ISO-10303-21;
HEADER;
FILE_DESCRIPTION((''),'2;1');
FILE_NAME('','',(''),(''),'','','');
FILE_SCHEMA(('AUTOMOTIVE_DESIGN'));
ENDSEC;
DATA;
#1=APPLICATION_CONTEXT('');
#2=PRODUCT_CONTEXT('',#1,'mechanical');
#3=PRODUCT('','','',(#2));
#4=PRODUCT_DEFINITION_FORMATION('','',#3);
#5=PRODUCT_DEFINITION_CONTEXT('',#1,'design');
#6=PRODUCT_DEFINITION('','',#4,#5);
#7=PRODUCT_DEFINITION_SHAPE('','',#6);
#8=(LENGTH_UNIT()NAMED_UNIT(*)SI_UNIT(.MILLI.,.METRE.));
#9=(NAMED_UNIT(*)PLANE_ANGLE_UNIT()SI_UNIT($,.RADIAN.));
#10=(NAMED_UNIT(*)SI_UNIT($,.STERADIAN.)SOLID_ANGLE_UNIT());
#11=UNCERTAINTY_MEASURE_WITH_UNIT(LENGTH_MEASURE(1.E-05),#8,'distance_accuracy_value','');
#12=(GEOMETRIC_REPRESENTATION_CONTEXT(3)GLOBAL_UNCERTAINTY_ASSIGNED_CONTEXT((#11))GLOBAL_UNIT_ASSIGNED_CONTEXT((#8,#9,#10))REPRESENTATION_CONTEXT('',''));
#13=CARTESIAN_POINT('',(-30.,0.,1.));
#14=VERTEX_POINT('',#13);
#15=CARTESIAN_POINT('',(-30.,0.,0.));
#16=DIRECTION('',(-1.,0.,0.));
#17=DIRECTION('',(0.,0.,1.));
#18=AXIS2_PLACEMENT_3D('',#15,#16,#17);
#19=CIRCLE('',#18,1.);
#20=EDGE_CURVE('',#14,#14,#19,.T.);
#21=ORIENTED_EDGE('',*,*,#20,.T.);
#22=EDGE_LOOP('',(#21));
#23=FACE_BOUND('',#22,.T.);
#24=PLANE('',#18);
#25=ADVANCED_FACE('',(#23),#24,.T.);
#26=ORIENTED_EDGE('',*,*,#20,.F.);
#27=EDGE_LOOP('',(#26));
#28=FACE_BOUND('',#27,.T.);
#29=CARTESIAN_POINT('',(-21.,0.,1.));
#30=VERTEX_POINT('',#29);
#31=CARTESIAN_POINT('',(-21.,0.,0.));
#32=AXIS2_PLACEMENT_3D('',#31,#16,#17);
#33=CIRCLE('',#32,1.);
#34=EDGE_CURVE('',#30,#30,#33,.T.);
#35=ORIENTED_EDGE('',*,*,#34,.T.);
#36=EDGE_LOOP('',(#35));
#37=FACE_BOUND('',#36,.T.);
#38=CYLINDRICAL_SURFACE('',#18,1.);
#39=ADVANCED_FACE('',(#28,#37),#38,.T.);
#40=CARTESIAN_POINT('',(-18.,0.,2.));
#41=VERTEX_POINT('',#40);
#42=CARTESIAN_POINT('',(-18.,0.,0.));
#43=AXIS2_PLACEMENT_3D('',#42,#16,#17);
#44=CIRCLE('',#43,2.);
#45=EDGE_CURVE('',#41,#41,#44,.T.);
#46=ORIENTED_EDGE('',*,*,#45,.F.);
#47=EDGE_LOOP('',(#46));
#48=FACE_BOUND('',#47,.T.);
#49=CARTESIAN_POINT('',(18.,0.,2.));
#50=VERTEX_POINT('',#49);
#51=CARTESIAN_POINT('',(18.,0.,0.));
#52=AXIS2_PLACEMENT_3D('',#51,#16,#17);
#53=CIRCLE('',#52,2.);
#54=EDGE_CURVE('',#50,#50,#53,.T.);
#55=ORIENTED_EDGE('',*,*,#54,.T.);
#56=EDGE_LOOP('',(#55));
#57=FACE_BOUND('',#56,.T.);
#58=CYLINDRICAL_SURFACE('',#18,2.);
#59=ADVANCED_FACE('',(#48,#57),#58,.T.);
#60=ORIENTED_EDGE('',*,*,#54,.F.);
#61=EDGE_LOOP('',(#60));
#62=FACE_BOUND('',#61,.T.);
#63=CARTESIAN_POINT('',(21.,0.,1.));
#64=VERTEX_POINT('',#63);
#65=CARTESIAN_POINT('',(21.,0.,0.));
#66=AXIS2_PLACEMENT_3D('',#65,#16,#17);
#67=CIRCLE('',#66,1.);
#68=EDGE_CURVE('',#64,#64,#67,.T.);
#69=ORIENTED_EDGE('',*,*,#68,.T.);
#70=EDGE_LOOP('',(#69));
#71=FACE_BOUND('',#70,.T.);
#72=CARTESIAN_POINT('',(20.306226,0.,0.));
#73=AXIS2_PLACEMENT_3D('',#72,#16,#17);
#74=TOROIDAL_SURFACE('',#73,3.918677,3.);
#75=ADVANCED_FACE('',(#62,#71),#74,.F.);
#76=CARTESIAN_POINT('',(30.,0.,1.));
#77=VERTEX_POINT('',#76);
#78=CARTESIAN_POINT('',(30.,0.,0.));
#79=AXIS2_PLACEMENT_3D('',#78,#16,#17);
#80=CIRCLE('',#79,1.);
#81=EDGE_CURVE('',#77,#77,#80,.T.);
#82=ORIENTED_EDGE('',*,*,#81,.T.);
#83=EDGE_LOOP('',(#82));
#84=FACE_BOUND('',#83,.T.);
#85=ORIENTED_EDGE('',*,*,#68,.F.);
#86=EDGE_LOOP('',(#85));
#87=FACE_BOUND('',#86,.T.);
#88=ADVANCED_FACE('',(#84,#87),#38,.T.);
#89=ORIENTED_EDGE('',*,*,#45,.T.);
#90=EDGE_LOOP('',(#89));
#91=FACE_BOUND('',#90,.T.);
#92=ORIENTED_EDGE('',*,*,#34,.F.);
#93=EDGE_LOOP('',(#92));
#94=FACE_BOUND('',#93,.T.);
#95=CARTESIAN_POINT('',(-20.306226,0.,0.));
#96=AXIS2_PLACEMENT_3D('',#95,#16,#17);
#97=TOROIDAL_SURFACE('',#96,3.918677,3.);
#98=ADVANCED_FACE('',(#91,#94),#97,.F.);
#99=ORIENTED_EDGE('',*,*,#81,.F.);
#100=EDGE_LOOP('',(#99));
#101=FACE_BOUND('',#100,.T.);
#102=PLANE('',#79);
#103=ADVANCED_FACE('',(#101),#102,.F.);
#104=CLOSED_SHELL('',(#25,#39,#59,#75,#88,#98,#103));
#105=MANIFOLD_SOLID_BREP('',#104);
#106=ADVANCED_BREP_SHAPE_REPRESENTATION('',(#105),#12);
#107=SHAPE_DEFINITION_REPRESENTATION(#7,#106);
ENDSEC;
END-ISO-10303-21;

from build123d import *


with BuildPart() as part:
    # Sketch4 → Revolve1 (revolve)
    with BuildSketch(Plane(origin=(0, 0, 0), x_dir=(1, 0, 0), z_dir=(0, 1, 0)), mode=Mode.PRIVATE) as revolve1_sk:
        with BuildLine():
            Line((-18, 2), (18, 2))
            ThreePointArc((18, 2), (19.357542477, 1.07262743), (21, 1))
            Line((21, 1), (30, 1))
            Line((30, 1), (30, 0))
            Line((30, 0), (-30, 0))
            Line((-30, 0), (-30, 1))
            Line((-30, 1), (-21, 1))
            ThreePointArc((-21, 1), (-19.357542477, 1.07262743), (-18, 2))
        make_face()
    revolve(revolve1_sk.sketch.rotate(Axis((-30, 0, 0), (1, 0, 0)), 180), axis=Axis((-30, 0, 0), (1, 0, 0)))


solid = part.part
